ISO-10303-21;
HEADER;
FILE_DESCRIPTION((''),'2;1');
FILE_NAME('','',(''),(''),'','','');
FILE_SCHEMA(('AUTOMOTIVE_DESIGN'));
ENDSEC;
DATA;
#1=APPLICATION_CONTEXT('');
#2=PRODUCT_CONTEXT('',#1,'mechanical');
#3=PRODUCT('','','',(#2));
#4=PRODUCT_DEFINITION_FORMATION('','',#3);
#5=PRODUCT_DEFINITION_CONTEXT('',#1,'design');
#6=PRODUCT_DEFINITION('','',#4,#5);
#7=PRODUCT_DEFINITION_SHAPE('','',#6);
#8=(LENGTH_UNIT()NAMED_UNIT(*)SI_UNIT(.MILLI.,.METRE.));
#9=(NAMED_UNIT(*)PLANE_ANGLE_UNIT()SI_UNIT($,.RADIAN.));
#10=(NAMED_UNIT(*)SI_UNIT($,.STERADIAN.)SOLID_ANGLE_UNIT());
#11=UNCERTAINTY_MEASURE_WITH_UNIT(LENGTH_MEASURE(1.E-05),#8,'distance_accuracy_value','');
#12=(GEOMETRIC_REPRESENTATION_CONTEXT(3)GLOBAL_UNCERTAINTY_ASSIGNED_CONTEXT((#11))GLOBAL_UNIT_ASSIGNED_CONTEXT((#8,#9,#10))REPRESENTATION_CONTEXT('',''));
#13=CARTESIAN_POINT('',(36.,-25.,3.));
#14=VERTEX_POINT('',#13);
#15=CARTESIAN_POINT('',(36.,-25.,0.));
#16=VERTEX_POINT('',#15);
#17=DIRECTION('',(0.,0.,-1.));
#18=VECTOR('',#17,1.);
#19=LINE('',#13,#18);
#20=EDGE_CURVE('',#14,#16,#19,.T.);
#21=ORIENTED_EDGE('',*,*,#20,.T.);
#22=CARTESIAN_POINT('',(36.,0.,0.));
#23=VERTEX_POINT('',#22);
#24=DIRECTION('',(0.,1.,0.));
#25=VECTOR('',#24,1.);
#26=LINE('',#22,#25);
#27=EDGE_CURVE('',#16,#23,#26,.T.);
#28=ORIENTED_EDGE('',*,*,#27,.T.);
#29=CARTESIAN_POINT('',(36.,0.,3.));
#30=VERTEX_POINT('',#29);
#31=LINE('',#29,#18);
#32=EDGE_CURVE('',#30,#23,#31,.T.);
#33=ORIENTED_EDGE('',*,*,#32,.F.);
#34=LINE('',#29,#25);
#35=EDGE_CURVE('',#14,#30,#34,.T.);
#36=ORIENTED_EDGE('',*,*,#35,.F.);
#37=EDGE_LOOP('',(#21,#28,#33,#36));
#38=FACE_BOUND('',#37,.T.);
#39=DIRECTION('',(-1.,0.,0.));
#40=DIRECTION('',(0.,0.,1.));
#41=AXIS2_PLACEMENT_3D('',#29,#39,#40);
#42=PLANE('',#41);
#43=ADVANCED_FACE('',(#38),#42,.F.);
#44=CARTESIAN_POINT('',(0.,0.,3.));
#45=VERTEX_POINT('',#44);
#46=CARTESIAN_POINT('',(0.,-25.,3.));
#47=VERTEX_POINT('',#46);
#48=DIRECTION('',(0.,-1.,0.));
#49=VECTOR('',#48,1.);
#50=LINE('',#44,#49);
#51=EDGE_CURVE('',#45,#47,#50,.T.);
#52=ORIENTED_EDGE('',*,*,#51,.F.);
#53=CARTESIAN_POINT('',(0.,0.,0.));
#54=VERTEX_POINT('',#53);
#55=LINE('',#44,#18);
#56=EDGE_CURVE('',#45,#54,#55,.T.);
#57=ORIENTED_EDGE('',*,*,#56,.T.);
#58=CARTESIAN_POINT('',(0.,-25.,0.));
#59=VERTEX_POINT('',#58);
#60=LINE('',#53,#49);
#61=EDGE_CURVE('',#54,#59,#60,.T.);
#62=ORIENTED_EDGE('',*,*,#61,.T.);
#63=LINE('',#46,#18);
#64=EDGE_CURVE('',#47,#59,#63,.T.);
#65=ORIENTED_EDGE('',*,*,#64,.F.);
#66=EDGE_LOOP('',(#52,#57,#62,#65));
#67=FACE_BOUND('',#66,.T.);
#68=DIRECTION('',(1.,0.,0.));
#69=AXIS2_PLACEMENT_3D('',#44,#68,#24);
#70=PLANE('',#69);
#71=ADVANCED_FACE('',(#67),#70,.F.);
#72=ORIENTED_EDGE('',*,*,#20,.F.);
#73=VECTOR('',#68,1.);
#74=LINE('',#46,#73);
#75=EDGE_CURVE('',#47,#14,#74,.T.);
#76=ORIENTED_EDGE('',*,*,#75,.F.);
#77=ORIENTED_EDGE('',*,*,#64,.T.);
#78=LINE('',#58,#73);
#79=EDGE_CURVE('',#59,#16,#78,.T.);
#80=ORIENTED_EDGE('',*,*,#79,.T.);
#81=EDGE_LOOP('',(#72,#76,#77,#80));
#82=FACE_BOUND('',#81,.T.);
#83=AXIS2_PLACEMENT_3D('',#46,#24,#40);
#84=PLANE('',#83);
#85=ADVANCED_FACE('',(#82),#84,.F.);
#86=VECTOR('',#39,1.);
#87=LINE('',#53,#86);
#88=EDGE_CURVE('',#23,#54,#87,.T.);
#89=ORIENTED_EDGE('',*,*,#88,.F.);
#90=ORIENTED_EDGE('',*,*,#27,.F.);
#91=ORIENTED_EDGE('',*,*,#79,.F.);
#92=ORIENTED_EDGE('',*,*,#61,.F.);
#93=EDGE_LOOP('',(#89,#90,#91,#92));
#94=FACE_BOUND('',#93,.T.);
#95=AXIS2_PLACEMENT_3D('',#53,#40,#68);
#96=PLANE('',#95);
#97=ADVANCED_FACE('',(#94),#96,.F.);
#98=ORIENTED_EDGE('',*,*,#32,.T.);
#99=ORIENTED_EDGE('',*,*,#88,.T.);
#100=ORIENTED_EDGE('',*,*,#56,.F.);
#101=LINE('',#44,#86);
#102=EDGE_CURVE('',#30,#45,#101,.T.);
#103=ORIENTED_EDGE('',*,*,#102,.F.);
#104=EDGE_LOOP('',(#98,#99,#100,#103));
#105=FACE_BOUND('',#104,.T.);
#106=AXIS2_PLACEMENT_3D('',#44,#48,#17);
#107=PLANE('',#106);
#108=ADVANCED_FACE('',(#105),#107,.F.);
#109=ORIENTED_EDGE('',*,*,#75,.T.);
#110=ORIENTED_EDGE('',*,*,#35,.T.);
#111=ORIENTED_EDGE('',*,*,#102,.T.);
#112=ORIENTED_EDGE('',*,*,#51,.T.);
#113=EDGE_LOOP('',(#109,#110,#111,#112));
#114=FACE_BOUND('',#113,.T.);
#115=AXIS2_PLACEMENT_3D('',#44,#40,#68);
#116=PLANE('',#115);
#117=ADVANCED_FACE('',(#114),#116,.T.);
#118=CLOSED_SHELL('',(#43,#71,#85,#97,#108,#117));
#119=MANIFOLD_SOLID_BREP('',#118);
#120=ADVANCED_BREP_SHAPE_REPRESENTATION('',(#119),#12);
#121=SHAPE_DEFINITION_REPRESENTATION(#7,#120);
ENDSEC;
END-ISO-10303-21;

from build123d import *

# Parameters (mm, degrees)
SKETCH1_W           = 36
SKETCH1_H           = 25
BOSS_EXTRUDE1_DEPTH = 3


with BuildPart() as part:
    # Sketch1 → Boss-Extrude1 (new body)
    with BuildSketch(Plane.XY):
        with Locations((18, -12.5)):
            Rectangle(SKETCH1_W, SKETCH1_H)
    extrude(amount=BOSS_EXTRUDE1_DEPTH)


solid = part.part
